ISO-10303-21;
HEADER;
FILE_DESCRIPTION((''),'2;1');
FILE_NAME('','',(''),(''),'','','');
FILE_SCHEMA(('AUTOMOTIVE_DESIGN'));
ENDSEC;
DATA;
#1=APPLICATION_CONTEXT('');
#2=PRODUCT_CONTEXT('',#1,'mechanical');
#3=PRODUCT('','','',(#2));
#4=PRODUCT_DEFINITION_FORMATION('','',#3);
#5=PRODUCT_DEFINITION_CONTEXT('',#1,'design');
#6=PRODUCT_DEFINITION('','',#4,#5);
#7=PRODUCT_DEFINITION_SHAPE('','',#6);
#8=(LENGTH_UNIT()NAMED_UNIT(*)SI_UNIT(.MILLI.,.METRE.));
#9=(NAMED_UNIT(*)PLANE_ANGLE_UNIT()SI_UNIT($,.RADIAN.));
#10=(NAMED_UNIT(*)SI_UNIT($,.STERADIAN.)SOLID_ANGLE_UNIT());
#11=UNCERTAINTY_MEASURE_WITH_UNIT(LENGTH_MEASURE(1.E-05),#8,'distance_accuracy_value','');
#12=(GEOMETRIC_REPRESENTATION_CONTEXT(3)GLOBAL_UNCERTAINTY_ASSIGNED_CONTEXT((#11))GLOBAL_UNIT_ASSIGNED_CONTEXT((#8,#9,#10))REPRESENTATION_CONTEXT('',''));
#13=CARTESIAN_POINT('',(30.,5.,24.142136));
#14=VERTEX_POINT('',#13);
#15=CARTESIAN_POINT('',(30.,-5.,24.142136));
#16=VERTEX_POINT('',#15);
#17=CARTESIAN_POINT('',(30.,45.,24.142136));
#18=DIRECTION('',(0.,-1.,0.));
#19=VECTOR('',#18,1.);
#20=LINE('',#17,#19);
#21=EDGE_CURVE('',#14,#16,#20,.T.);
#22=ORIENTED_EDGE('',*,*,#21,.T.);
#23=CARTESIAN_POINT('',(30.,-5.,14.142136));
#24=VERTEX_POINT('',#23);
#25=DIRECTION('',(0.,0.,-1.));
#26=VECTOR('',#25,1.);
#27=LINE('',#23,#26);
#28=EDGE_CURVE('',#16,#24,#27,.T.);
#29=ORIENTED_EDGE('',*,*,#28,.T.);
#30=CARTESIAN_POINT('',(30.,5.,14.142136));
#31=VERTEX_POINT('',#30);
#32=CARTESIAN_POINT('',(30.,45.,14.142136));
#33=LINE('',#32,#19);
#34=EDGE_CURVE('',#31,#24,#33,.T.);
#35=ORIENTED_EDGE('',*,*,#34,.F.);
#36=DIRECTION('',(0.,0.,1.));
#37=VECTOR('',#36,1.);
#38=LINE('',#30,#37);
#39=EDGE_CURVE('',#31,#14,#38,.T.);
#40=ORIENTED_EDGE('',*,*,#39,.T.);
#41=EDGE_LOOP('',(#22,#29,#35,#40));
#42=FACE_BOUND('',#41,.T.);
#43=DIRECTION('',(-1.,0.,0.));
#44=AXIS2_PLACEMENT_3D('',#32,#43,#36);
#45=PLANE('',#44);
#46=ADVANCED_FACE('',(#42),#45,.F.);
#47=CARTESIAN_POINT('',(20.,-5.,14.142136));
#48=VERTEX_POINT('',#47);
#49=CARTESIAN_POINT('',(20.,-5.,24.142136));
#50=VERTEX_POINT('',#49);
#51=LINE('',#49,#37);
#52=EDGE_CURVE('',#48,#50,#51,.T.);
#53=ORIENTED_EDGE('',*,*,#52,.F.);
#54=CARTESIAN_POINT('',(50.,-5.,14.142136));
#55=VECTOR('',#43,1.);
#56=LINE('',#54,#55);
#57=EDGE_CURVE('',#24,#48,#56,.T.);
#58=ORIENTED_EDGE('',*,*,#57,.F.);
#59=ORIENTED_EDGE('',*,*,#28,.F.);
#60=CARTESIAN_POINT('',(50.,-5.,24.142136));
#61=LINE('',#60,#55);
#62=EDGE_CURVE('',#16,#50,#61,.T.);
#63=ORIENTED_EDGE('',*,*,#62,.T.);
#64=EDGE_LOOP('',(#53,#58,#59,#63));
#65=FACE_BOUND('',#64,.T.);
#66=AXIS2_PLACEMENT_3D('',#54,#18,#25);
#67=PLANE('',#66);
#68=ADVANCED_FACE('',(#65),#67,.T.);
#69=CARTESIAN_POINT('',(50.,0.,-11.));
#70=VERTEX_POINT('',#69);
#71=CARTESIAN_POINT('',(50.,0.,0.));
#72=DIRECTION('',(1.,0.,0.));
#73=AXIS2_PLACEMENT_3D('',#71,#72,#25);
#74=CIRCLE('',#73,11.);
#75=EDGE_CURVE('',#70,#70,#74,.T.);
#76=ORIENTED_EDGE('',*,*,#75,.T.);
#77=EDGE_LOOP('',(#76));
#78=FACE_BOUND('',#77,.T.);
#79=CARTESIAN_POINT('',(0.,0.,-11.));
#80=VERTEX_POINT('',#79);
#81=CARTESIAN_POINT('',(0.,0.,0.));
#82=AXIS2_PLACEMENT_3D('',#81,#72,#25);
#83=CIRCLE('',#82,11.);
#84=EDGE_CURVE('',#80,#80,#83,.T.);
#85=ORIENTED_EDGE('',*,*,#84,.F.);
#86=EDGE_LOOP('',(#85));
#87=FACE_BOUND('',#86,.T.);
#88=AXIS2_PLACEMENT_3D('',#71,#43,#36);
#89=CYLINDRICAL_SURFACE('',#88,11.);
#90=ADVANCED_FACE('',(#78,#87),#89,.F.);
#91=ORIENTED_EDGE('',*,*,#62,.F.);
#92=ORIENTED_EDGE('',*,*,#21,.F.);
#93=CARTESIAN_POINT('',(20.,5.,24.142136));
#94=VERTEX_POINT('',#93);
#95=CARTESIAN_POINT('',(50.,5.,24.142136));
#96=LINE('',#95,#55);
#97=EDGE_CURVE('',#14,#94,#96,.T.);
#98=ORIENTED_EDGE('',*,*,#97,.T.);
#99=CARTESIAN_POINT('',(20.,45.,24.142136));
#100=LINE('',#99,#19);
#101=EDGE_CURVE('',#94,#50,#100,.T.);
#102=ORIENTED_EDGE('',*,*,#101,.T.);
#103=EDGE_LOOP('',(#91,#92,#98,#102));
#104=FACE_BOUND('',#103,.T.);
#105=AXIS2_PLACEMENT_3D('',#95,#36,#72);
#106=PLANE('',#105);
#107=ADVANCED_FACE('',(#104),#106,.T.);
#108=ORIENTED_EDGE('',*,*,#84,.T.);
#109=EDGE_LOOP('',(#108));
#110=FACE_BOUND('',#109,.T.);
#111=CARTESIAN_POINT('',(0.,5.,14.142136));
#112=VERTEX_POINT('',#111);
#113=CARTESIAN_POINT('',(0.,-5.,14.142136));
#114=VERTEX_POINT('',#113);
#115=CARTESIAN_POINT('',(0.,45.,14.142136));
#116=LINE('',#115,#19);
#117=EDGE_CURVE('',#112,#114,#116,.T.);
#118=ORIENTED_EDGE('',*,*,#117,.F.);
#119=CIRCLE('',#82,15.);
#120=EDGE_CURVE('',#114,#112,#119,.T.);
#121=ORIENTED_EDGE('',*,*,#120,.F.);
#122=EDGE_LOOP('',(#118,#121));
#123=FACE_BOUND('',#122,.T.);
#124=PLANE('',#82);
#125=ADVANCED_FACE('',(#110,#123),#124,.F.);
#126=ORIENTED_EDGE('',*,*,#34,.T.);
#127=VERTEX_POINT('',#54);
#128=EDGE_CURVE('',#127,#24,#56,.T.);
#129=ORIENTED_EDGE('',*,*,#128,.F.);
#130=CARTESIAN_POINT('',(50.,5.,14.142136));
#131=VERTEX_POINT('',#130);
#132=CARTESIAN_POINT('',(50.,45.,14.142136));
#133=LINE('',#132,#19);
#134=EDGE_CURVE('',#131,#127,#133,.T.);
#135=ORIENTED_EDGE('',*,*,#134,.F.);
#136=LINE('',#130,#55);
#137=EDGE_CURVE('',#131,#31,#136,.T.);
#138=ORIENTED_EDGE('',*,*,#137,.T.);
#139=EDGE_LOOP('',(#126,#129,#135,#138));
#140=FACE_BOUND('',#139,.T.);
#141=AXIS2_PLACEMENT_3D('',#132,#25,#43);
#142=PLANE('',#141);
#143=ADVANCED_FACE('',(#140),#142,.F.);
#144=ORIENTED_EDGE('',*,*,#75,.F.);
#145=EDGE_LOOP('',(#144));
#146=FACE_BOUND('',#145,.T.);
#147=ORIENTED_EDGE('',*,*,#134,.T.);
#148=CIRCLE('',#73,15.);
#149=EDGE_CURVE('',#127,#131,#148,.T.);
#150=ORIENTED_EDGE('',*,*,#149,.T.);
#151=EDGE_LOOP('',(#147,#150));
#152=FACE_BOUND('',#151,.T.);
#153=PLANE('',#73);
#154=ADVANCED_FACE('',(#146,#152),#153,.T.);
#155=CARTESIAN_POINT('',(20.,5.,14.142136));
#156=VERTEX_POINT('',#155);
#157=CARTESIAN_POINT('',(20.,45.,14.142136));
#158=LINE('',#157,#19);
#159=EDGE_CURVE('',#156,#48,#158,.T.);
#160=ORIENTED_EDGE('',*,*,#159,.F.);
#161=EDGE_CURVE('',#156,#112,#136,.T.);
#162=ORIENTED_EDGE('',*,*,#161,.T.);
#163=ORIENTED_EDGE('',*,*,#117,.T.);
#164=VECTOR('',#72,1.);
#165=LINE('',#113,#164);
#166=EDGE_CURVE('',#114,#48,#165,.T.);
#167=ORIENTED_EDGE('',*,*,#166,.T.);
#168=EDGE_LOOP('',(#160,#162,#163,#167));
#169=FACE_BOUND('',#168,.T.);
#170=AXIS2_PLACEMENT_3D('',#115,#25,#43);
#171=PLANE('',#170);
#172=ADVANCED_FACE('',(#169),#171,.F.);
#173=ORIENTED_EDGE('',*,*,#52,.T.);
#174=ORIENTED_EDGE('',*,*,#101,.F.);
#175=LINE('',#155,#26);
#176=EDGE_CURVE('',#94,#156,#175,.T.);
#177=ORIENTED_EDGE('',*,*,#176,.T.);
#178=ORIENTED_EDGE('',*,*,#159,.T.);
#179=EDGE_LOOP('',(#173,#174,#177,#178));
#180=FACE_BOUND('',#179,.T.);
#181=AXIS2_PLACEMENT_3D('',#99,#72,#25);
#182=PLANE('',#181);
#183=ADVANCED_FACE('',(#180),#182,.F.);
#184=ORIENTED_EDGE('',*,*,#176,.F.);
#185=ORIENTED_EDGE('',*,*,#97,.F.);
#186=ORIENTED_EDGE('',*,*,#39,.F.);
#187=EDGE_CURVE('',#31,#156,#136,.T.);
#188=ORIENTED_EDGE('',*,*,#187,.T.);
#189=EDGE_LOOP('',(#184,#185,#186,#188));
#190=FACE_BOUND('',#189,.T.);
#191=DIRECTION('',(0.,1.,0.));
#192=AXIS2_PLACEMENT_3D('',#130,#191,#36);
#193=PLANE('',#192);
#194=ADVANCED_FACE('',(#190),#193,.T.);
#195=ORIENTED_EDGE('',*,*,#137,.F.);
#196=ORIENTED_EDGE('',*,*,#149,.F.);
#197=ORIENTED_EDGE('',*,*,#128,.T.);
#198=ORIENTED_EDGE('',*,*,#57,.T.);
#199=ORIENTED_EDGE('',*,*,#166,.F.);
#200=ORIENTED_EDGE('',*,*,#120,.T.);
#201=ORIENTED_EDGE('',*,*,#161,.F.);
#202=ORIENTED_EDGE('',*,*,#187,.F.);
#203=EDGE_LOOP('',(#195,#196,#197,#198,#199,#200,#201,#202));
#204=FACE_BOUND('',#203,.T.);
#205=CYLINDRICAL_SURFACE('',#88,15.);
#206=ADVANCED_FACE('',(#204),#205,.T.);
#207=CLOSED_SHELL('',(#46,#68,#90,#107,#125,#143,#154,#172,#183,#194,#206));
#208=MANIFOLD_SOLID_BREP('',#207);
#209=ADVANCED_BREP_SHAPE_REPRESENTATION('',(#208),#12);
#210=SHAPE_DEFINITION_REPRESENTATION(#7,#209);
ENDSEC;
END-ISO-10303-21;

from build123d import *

# Parameters (mm, degrees)
SKETCH_1_R          = 15
SKETCH_1_R_2        = 11
EXTRUDE_1_DEPTH     = 50
SKETCH_2_W          = 10
SKETCH_2_H          = 10
EXTRUDE_2_DEPTH     = 50
SKETCH_3_W          = 20
SKETCH_3_H          = 10
CUT_EXTRUDE_1_DEPTH = 50


with BuildPart() as part:
    # 草图1 → 凸台-拉伸1 (new body)
    with BuildSketch(Plane(origin=(0, 0, 0), x_dir=(0, 0, -1), z_dir=(1, 0, 0))):
        Circle(SKETCH_1_R)
        Circle(SKETCH_1_R_2, mode=Mode.SUBTRACT)
    extrude(amount=EXTRUDE_1_DEPTH)

    # 草图2 → 凸台-拉伸2 (add)
    with BuildSketch(Plane.ZY):
        with Locations((19.142135624, 0)):
            Rectangle(SKETCH_2_W, SKETCH_2_H)
    extrude(amount=-EXTRUDE_2_DEPTH)

    # 草图3 → 切除-拉伸1 (cut)
    with BuildSketch(Plane(origin=(0, -5, 0), x_dir=(-1, 0, 0), z_dir=(0, -1, 0))):
        with Locations((-10, -19.142135624)):
            Rectangle(SKETCH_3_W, SKETCH_3_H)
        with Locations((-40, -19.142135624)):
            Rectangle(SKETCH_3_W, SKETCH_3_H)
    extrude(amount=-CUT_EXTRUDE_1_DEPTH, mode=Mode.SUBTRACT)


solid = part.part
